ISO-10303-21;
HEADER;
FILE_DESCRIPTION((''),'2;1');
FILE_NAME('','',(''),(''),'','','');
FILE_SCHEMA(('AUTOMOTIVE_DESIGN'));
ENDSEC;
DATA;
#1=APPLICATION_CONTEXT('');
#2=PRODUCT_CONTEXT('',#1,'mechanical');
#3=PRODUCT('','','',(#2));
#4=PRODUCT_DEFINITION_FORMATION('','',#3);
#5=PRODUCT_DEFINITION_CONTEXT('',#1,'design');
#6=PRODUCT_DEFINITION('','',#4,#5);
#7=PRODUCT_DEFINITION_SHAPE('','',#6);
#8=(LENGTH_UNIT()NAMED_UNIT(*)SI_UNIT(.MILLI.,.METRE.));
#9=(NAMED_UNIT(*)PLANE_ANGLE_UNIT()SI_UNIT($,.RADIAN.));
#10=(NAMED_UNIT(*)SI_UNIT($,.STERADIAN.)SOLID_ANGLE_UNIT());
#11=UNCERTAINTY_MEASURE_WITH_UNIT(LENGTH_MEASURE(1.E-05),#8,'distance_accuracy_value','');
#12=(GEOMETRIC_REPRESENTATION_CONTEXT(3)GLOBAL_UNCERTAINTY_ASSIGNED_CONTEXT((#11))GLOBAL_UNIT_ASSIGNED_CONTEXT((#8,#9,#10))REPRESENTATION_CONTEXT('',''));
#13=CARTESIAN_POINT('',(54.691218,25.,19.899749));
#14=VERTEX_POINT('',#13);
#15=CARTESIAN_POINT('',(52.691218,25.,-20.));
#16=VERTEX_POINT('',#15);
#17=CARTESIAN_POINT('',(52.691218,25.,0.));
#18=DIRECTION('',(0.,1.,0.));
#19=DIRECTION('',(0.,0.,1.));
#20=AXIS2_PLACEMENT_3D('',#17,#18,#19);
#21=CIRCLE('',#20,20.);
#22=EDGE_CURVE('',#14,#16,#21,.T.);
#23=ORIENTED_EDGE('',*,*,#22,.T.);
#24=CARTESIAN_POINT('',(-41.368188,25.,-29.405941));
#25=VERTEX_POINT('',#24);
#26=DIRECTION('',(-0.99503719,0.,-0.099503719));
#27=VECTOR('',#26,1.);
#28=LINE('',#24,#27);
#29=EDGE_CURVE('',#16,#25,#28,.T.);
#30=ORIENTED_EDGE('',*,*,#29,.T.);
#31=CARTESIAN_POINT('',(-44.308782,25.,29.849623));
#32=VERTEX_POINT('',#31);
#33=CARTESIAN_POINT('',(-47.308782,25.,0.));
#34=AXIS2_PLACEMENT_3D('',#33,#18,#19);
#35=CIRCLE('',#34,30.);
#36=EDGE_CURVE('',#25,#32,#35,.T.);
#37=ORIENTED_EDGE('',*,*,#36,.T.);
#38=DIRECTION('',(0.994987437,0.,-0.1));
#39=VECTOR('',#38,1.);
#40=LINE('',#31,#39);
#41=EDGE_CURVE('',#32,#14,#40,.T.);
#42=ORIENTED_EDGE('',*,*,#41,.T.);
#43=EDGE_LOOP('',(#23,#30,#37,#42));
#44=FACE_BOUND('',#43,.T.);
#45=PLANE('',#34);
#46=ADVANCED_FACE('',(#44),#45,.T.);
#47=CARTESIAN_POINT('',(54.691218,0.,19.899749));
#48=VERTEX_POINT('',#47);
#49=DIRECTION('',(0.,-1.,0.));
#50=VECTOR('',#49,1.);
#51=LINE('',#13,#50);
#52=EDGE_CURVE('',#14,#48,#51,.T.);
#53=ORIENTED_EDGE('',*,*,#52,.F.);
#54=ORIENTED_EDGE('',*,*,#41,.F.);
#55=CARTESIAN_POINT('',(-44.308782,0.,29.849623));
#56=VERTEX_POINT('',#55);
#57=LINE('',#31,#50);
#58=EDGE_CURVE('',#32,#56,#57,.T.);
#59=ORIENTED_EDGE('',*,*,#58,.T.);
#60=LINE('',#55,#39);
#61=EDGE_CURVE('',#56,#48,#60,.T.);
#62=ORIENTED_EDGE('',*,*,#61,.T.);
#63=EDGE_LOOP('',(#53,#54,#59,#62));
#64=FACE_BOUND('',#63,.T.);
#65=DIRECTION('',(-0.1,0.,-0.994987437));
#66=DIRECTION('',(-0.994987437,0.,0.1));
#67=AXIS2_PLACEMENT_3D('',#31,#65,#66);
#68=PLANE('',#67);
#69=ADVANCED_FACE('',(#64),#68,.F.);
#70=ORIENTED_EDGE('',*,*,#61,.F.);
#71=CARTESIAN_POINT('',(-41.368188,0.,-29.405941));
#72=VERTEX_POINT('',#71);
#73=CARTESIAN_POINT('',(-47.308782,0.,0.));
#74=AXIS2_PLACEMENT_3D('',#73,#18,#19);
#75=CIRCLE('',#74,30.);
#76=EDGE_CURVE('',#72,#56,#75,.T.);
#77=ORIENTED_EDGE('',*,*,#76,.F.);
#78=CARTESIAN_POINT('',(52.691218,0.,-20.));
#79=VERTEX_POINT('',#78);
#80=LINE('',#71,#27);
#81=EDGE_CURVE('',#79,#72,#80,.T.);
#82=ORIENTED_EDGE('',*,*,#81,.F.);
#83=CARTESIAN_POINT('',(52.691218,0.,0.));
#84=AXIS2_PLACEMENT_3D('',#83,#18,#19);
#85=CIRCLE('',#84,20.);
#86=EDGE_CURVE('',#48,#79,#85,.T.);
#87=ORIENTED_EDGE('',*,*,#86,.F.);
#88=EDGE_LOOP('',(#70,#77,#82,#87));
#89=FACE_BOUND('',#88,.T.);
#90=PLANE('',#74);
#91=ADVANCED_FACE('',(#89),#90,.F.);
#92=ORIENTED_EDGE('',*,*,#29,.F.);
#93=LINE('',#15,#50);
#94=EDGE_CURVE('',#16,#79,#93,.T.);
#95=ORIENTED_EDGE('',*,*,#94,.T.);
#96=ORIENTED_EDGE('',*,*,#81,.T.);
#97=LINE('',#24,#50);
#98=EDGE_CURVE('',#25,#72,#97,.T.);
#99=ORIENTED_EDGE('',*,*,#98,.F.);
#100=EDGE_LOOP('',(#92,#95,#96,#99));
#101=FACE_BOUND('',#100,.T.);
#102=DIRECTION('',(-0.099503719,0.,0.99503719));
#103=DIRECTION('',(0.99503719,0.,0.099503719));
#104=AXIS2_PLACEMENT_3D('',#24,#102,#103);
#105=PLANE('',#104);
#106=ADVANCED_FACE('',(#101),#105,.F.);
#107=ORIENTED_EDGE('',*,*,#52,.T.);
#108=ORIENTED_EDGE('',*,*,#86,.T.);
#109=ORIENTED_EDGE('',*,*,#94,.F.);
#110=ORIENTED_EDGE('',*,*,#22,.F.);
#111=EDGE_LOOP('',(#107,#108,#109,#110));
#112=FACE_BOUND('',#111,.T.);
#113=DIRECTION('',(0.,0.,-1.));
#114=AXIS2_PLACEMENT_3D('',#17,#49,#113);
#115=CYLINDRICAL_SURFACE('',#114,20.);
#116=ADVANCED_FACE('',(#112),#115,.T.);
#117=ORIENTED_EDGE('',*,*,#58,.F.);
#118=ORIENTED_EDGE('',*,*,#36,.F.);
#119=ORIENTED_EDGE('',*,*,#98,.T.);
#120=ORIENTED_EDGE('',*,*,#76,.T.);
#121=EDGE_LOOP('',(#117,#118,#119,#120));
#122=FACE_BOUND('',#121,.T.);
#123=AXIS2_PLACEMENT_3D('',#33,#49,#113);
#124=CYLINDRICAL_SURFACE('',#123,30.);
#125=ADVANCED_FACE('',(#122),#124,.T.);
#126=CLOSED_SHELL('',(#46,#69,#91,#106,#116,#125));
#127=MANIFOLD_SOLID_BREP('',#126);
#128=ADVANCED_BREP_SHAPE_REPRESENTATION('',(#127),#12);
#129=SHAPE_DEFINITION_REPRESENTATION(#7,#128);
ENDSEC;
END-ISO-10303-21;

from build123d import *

# Parameters (mm, degrees)
BOSS_EXTRUDE1_DEPTH = 25


with BuildPart() as part:
    # Sketch3 → Boss-Extrude1 (new body)
    with BuildSketch(Plane(origin=(0, 0, 0), x_dir=(1, 0, 0), z_dir=(0, 1, 0))):
        with BuildLine():
            Line((-41.36818781, 29.405940594), (52.69121813, 20))
            ThreePointArc((52.69121813, 20), (72.666139593, 1.001255501), (54.69121813, -19.899748742))
            Line((54.69121813, -19.899748742), (-44.30878187, -29.849623113))
            ThreePointArc((-44.30878187, -29.849623113), (-77.271909428, 1.486938768), (-41.36818781, 29.405940594))
        make_face()
    extrude(amount=BOSS_EXTRUDE1_DEPTH)


solid = part.part
